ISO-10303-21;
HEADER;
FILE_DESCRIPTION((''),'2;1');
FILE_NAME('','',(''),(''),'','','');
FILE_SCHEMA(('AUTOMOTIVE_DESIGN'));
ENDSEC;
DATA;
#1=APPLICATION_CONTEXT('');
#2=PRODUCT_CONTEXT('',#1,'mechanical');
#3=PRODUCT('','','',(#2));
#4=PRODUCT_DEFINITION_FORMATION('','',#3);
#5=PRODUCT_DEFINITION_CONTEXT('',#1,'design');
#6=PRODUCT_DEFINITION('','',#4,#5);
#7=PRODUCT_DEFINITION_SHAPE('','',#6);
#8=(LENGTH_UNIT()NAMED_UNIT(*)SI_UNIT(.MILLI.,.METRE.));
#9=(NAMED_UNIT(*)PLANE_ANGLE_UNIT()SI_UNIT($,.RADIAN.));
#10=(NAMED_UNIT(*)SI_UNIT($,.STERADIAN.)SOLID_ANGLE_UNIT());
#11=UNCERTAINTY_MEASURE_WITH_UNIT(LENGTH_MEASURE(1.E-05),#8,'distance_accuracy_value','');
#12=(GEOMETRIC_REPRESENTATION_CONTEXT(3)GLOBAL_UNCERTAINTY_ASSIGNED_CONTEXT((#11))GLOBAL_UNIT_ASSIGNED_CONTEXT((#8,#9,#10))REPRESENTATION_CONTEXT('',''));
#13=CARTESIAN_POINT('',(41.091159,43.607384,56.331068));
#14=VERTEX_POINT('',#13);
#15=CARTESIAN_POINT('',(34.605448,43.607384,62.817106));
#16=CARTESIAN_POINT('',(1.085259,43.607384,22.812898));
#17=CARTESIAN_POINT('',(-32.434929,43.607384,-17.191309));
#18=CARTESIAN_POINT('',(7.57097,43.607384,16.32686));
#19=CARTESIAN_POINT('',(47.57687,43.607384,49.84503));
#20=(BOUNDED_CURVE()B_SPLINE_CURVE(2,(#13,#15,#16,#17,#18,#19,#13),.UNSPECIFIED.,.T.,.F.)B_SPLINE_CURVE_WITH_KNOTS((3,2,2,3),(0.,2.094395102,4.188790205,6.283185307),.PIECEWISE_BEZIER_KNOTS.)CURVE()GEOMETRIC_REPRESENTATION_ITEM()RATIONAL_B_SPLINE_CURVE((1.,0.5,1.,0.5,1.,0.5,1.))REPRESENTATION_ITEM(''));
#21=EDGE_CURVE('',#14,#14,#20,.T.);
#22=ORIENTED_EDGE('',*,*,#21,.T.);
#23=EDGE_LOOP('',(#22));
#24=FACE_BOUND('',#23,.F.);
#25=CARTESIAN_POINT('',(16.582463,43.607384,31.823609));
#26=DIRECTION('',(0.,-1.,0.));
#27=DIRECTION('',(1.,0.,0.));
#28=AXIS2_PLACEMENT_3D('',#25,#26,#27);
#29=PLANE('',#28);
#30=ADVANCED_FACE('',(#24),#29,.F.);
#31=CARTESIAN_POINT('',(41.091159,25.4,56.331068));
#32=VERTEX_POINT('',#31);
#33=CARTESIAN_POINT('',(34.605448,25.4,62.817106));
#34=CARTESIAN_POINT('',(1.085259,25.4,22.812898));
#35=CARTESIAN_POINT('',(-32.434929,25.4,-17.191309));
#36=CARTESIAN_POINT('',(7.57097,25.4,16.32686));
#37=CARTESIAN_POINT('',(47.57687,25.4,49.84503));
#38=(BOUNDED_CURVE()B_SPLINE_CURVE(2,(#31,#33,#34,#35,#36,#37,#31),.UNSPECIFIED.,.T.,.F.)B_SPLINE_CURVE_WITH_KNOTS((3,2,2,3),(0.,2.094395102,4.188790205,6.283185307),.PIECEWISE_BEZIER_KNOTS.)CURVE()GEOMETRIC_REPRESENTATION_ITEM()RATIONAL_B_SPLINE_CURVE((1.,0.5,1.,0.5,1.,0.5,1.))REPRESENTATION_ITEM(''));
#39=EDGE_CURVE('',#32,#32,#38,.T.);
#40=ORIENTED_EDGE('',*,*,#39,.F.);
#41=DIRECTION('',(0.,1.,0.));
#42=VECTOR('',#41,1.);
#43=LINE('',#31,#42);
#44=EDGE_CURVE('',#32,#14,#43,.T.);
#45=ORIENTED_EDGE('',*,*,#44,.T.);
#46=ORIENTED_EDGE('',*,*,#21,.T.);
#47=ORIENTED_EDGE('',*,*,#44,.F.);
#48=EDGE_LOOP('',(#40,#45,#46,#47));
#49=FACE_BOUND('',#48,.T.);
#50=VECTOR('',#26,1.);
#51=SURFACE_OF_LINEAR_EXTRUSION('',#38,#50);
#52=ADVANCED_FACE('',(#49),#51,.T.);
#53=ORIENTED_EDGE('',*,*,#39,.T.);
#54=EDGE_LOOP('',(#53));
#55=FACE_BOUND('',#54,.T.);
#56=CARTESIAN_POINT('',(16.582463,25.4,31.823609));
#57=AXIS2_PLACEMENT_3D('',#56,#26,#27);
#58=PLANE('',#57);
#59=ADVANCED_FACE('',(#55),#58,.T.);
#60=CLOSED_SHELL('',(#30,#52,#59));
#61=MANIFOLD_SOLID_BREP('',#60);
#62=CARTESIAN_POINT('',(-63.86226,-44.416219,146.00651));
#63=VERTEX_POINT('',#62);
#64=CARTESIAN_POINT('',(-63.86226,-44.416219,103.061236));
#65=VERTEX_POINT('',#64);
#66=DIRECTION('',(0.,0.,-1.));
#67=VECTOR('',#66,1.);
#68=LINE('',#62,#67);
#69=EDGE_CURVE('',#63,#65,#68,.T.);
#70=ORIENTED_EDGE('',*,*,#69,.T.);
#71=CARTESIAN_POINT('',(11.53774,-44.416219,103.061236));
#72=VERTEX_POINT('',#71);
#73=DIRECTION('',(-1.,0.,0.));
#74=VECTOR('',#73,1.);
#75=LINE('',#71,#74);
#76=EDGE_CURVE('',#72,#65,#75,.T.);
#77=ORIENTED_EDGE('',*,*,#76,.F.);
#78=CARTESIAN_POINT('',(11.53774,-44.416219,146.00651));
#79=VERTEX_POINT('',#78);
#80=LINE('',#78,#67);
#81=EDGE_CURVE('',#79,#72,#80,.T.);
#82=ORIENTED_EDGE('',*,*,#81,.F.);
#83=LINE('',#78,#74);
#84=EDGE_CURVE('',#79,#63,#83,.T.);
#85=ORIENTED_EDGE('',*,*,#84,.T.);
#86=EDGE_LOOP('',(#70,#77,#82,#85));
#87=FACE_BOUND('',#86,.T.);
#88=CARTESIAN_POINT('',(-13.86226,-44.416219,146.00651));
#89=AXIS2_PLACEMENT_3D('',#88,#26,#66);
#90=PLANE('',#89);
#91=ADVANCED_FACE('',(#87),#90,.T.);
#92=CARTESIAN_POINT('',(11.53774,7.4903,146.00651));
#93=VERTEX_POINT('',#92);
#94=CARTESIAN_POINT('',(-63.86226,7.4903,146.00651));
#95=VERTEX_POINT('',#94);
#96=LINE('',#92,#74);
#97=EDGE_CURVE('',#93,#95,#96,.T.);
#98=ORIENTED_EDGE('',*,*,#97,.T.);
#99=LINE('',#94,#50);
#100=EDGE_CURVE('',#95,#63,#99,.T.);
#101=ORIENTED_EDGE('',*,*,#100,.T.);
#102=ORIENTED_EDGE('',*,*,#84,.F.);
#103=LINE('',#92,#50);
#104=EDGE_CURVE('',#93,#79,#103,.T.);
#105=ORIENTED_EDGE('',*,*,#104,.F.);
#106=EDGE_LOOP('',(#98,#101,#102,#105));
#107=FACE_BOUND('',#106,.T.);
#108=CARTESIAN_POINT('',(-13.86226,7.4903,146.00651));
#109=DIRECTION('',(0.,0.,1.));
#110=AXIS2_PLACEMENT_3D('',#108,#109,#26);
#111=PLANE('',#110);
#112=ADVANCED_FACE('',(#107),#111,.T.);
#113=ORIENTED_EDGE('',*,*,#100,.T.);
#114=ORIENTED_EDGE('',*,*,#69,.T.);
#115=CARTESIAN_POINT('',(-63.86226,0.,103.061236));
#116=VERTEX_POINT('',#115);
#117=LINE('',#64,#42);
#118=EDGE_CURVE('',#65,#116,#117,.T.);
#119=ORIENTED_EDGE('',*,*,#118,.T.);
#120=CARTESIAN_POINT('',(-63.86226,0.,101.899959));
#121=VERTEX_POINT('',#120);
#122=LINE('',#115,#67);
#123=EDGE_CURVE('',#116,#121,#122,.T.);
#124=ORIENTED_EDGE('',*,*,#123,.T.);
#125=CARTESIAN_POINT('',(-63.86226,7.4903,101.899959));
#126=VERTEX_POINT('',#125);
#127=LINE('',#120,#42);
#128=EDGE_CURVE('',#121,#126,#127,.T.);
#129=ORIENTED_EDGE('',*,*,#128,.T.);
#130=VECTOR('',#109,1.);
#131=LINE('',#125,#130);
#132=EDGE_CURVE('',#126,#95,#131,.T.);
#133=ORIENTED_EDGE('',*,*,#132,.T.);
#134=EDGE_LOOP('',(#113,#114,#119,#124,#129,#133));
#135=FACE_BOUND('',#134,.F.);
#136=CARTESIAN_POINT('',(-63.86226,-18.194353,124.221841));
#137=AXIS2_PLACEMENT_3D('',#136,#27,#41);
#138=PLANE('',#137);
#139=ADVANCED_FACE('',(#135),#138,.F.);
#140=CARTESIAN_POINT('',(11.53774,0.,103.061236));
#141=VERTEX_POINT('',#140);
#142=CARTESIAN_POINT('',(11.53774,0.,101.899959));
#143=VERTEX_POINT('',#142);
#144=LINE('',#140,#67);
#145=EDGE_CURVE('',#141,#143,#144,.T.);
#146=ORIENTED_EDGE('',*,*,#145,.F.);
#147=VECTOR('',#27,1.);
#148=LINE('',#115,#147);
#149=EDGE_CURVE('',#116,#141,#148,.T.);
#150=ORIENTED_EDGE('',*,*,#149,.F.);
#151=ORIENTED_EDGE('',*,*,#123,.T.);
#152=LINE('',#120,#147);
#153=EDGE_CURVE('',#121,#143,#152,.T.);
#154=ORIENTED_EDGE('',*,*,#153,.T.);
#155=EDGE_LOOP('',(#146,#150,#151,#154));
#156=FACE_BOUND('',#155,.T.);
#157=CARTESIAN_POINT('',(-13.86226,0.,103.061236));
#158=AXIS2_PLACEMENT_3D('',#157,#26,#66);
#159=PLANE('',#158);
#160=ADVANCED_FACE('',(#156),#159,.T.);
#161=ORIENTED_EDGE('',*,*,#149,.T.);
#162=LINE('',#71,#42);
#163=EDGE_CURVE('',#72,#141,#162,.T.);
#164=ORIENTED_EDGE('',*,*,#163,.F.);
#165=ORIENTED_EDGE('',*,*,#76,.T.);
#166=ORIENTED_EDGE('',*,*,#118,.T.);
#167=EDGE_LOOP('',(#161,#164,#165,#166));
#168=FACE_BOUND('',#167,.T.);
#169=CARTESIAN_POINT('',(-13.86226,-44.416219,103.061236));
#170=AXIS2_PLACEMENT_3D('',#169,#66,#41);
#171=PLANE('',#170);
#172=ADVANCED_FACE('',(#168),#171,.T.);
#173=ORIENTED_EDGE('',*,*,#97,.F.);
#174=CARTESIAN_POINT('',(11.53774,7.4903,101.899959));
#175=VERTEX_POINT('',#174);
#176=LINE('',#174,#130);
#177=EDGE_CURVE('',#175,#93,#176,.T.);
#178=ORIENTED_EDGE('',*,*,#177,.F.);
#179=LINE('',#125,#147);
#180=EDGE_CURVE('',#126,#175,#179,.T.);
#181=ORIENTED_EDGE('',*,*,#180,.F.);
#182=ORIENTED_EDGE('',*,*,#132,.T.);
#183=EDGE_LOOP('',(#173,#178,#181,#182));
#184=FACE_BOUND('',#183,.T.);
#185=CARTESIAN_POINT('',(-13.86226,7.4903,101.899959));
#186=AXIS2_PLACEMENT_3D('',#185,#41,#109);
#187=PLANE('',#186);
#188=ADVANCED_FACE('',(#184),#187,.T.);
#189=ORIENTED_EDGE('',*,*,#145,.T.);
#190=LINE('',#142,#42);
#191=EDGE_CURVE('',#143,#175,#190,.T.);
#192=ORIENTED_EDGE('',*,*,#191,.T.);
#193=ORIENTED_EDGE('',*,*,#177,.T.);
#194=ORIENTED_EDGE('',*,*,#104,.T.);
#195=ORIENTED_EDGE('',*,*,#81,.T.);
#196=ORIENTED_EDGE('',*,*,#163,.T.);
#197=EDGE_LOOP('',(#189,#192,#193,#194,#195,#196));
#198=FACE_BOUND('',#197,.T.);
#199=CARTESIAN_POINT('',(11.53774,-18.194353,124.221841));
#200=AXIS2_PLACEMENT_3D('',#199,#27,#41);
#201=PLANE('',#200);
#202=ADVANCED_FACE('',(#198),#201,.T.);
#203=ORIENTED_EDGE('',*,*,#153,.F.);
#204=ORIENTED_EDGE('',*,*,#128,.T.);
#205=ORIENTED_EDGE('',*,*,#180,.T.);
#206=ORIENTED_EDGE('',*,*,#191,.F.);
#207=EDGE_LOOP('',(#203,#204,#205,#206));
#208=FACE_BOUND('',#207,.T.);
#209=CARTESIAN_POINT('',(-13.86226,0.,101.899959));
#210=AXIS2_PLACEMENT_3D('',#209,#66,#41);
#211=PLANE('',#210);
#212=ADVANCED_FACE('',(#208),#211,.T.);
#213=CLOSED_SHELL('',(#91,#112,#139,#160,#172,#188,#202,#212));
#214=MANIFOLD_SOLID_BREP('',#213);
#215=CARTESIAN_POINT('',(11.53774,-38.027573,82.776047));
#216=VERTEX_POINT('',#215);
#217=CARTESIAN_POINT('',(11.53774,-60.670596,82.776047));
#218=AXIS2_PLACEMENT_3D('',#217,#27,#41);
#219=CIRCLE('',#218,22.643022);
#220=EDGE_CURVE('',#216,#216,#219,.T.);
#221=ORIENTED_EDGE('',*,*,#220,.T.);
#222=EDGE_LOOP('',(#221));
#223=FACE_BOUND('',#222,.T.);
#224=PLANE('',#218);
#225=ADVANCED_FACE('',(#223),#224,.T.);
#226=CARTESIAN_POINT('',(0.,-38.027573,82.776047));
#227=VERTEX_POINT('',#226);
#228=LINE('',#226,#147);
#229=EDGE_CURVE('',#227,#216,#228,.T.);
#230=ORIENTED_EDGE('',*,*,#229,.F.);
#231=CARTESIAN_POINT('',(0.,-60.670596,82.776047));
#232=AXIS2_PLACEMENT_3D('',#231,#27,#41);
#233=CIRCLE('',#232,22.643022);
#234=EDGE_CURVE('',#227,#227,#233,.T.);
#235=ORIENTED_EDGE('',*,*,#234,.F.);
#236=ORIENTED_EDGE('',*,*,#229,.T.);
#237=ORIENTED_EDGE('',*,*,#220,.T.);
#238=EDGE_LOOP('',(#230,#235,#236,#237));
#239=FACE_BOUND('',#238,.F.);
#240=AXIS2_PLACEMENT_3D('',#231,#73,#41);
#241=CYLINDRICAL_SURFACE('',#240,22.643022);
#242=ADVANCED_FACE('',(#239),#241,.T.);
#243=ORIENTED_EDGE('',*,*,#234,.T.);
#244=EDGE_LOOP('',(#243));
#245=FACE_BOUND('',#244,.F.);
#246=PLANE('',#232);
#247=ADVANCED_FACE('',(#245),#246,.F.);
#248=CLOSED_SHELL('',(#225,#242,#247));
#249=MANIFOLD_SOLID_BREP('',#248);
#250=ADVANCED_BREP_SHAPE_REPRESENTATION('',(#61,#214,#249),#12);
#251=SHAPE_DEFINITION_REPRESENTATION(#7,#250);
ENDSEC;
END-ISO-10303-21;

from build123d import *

# Parameters (mm, degrees)
F0_R     = 22.6430221655
F1_DEPTH = 11.537740007
F4_DEPTH = 25.4
F5_DEPTH = 50
F7_START = -25.399999693
F7_DEPTH = 18.2073842734


with BuildPart() as f1:
    # F0 (on Right) → F1 (new body)
    with BuildSketch(Plane.YZ):
        with Locations((-60.6705956161, 82.7760472894)):
            Circle(F0_R)
    extrude(amount=F1_DEPTH)


with BuildPart() as f4:
    # F3 (on face) → F4 (new body)
    with BuildSketch(Plane.YZ.offset(11.537740007)):
        Polygon((-44.416218996, 103.0612364411), (0, 103.0612364411), (0, 101.899959147), (7.4902996421, 101.899959147), (7.4902996421, 146.0065096617), (-44.416218996, 146.0065096617), align=None)
    extrude(amount=-F4_DEPTH)

    # F5 (add): a face of the model
    f5_faces = [f4.faces().sort_by_distance(p)[0] for p in [
        (-13.862259993, -18.3766383548, 124.4481535588),
    ]]
    extrude(f5_faces, amount=F5_DEPTH)


with BuildPart() as f7:
    # F6 (on Front) → F7 (new body)
    with BuildSketch(Plane.XZ.offset(F7_START)):
        with BuildLine():
            add(Edge.make_bspline(
                [(41.0911589861, 56.3310682774), (34.6054481336, 62.8171064385), (1.0852594857, 22.8128984783), (-32.4349291623, -17.1913094819), (7.5709703382, 16.3268603172), (47.5768698386, 49.8450301162), (41.0911589861, 56.3310682774)],
                knots=[0, 0, 0, 2.0943951024, 2.0943951024, 4.1887902048, 4.1887902048, 6.2831853072, 6.2831853072, 6.2831853072], degree=2, weights=[1, 0.5, 1, 0.5, 1, 0.5, 1]))
        make_face()
    extrude(amount=-F7_DEPTH)


solid = Compound([f1.part, f4.part, f7.part])
